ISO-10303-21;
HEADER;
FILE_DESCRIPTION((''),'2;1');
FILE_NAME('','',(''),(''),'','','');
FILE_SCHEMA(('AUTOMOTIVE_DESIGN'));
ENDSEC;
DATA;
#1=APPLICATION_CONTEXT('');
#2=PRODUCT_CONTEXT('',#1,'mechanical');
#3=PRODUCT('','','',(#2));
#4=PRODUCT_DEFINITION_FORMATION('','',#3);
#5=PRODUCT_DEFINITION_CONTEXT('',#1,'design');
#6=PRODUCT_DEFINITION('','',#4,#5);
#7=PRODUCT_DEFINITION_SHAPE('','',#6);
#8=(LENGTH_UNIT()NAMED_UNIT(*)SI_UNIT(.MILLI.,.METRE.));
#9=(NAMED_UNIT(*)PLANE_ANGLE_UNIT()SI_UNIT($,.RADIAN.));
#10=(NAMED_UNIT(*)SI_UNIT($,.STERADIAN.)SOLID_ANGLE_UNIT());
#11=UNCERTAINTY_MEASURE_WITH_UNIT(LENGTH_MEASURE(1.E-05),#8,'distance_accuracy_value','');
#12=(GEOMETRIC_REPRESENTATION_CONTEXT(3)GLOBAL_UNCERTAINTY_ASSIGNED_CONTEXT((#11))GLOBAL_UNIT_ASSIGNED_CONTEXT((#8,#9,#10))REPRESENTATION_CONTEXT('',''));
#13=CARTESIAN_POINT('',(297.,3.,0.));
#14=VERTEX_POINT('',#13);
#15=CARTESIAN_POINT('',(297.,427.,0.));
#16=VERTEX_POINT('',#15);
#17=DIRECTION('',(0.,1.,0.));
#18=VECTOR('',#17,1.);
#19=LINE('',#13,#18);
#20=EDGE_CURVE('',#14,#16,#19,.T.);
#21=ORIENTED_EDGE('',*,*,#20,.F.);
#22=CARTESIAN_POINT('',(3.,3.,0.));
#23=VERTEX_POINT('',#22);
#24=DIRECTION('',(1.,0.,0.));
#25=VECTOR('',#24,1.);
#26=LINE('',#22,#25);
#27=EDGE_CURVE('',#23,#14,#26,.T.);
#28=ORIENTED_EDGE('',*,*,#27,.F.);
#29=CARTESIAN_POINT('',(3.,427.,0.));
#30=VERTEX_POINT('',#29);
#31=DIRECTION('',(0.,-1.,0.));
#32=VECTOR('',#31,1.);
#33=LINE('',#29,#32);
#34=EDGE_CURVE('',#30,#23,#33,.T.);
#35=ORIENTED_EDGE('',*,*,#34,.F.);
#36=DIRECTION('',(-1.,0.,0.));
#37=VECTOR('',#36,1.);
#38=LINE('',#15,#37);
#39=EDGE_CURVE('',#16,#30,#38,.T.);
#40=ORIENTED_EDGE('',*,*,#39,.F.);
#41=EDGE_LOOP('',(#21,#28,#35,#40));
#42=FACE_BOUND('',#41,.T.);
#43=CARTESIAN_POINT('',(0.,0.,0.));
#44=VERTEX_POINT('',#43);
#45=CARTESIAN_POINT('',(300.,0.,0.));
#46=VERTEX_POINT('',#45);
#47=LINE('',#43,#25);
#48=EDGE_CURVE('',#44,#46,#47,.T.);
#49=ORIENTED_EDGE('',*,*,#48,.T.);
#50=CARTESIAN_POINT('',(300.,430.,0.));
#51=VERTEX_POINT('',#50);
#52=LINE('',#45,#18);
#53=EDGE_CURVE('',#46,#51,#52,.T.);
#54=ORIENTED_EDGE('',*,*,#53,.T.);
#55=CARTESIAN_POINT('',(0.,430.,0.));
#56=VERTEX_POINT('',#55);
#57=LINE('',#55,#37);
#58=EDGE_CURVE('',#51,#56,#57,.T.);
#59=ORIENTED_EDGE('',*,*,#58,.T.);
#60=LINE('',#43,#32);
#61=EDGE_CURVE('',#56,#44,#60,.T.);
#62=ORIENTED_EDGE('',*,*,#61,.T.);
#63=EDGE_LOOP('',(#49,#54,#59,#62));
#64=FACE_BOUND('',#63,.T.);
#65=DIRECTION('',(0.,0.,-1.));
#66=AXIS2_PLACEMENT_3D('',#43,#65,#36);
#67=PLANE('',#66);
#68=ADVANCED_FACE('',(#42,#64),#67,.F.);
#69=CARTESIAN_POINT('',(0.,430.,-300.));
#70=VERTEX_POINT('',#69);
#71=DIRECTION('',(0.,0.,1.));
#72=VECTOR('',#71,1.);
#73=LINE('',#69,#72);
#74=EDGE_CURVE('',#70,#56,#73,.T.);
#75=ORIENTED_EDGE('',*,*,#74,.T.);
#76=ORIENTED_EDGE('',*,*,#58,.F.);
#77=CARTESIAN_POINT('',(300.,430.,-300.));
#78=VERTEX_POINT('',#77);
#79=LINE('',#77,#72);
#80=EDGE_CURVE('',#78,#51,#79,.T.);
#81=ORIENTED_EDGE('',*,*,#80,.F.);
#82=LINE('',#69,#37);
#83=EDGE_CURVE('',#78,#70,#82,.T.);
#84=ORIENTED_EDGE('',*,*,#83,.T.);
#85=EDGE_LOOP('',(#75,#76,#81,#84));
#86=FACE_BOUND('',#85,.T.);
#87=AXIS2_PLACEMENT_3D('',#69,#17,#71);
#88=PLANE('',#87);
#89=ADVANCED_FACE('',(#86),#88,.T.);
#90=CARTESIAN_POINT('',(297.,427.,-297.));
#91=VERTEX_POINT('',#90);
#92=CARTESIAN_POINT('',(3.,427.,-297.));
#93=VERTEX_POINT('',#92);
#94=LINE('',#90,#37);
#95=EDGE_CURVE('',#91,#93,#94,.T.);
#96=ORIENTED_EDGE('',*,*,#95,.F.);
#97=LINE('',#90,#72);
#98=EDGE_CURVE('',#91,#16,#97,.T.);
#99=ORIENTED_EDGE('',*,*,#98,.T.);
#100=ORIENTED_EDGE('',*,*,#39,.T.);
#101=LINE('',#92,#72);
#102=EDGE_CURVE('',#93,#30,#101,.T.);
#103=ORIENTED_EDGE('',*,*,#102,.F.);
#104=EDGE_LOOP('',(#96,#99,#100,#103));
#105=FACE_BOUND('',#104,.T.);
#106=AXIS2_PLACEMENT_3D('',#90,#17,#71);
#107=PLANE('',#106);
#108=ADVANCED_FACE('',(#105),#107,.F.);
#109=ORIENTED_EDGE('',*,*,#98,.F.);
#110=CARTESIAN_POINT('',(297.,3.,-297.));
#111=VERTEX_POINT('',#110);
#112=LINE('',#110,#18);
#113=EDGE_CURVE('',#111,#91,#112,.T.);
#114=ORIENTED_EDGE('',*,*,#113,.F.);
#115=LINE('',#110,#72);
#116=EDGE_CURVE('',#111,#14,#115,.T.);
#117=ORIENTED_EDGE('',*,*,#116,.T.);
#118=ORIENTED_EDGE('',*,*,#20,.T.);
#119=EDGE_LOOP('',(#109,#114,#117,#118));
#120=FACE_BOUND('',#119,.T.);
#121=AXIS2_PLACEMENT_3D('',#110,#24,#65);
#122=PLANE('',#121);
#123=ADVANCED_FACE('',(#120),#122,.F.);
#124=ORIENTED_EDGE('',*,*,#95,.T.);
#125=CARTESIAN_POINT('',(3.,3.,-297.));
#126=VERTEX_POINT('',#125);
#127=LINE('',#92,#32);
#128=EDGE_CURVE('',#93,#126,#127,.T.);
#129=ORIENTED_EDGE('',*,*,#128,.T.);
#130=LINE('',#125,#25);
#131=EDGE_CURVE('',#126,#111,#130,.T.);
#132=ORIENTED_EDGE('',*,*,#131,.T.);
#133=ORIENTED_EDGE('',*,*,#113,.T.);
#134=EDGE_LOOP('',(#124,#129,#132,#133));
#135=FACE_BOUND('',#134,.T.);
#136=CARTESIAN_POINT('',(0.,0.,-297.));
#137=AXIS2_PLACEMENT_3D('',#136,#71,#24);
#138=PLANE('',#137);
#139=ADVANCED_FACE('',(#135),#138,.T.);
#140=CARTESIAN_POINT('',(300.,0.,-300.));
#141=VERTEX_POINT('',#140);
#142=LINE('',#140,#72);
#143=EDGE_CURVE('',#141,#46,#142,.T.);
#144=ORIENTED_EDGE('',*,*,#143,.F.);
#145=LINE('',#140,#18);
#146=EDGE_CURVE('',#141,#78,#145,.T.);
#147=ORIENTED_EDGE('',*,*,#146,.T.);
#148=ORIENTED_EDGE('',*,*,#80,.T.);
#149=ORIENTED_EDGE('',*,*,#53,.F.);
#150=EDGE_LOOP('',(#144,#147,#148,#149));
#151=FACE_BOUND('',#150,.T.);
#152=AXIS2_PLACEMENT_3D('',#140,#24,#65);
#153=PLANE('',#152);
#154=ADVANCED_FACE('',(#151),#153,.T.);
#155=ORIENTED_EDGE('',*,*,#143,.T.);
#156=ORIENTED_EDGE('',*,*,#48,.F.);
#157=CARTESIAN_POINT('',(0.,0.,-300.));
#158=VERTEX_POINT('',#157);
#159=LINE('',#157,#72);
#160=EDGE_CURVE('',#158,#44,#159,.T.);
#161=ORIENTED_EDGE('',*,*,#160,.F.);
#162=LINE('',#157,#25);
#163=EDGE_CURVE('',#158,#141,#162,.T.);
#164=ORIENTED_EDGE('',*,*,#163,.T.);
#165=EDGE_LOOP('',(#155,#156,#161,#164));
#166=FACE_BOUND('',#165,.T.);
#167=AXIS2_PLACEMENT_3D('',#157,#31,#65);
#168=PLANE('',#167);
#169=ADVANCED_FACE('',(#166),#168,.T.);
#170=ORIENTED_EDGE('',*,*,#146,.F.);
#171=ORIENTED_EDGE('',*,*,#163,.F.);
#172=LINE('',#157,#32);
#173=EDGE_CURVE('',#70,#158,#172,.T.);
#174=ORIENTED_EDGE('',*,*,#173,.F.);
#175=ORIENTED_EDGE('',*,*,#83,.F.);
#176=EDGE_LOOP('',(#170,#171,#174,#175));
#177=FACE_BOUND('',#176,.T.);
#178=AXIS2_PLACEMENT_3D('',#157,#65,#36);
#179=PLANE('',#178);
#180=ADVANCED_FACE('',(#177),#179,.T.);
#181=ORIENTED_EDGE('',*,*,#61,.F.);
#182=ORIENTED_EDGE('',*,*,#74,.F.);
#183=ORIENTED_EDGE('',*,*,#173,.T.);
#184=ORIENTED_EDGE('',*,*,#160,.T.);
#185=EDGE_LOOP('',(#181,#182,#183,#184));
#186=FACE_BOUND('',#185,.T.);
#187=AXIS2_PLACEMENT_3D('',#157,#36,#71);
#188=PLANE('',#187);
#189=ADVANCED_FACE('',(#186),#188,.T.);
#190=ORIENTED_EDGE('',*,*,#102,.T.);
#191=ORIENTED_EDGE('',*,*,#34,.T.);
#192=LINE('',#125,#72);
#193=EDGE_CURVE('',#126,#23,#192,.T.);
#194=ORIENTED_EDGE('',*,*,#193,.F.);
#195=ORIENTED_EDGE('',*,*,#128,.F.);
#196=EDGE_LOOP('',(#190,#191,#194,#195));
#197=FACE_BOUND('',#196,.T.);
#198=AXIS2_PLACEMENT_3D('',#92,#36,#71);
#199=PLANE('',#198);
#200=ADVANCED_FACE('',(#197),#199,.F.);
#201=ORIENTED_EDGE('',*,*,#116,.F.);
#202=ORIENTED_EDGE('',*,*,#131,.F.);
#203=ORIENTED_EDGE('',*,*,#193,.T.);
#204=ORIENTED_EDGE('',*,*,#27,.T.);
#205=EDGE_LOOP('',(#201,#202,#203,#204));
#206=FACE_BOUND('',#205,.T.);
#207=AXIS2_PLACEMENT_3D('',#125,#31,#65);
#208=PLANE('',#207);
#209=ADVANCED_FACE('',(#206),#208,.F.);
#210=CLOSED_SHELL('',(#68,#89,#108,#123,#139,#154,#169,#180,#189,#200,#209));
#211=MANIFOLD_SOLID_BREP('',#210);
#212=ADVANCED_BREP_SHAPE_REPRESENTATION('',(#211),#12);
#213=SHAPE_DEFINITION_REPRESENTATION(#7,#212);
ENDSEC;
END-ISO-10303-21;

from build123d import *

# Parameters (mm, degrees)
ESQUISSE1_W             = 300
ESQUISSE1_H             = 430
BOSS_EXTRU_1_DEPTH      = 300
ESQUISSE2_W             = 294
ESQUISSE2_H             = 424
ENL_V_MAT_EXTRU_1_DEPTH = 297


with BuildPart() as part:
    # Esquisse1 → Boss.-Extru.1 (new body)
    with BuildSketch(Plane.XY):
        with Locations((150, 215)):
            Rectangle(ESQUISSE1_W, ESQUISSE1_H)
    extrude(amount=-BOSS_EXTRU_1_DEPTH)

    # Esquisse2 → Enlèv. mat.-Extru.1 (cut)
    with BuildSketch(Plane.XY):
        with Locations((150, 215)):
            Rectangle(ESQUISSE2_W, ESQUISSE2_H)
    extrude(amount=-ENL_V_MAT_EXTRU_1_DEPTH, mode=Mode.SUBTRACT)


solid = part.part
